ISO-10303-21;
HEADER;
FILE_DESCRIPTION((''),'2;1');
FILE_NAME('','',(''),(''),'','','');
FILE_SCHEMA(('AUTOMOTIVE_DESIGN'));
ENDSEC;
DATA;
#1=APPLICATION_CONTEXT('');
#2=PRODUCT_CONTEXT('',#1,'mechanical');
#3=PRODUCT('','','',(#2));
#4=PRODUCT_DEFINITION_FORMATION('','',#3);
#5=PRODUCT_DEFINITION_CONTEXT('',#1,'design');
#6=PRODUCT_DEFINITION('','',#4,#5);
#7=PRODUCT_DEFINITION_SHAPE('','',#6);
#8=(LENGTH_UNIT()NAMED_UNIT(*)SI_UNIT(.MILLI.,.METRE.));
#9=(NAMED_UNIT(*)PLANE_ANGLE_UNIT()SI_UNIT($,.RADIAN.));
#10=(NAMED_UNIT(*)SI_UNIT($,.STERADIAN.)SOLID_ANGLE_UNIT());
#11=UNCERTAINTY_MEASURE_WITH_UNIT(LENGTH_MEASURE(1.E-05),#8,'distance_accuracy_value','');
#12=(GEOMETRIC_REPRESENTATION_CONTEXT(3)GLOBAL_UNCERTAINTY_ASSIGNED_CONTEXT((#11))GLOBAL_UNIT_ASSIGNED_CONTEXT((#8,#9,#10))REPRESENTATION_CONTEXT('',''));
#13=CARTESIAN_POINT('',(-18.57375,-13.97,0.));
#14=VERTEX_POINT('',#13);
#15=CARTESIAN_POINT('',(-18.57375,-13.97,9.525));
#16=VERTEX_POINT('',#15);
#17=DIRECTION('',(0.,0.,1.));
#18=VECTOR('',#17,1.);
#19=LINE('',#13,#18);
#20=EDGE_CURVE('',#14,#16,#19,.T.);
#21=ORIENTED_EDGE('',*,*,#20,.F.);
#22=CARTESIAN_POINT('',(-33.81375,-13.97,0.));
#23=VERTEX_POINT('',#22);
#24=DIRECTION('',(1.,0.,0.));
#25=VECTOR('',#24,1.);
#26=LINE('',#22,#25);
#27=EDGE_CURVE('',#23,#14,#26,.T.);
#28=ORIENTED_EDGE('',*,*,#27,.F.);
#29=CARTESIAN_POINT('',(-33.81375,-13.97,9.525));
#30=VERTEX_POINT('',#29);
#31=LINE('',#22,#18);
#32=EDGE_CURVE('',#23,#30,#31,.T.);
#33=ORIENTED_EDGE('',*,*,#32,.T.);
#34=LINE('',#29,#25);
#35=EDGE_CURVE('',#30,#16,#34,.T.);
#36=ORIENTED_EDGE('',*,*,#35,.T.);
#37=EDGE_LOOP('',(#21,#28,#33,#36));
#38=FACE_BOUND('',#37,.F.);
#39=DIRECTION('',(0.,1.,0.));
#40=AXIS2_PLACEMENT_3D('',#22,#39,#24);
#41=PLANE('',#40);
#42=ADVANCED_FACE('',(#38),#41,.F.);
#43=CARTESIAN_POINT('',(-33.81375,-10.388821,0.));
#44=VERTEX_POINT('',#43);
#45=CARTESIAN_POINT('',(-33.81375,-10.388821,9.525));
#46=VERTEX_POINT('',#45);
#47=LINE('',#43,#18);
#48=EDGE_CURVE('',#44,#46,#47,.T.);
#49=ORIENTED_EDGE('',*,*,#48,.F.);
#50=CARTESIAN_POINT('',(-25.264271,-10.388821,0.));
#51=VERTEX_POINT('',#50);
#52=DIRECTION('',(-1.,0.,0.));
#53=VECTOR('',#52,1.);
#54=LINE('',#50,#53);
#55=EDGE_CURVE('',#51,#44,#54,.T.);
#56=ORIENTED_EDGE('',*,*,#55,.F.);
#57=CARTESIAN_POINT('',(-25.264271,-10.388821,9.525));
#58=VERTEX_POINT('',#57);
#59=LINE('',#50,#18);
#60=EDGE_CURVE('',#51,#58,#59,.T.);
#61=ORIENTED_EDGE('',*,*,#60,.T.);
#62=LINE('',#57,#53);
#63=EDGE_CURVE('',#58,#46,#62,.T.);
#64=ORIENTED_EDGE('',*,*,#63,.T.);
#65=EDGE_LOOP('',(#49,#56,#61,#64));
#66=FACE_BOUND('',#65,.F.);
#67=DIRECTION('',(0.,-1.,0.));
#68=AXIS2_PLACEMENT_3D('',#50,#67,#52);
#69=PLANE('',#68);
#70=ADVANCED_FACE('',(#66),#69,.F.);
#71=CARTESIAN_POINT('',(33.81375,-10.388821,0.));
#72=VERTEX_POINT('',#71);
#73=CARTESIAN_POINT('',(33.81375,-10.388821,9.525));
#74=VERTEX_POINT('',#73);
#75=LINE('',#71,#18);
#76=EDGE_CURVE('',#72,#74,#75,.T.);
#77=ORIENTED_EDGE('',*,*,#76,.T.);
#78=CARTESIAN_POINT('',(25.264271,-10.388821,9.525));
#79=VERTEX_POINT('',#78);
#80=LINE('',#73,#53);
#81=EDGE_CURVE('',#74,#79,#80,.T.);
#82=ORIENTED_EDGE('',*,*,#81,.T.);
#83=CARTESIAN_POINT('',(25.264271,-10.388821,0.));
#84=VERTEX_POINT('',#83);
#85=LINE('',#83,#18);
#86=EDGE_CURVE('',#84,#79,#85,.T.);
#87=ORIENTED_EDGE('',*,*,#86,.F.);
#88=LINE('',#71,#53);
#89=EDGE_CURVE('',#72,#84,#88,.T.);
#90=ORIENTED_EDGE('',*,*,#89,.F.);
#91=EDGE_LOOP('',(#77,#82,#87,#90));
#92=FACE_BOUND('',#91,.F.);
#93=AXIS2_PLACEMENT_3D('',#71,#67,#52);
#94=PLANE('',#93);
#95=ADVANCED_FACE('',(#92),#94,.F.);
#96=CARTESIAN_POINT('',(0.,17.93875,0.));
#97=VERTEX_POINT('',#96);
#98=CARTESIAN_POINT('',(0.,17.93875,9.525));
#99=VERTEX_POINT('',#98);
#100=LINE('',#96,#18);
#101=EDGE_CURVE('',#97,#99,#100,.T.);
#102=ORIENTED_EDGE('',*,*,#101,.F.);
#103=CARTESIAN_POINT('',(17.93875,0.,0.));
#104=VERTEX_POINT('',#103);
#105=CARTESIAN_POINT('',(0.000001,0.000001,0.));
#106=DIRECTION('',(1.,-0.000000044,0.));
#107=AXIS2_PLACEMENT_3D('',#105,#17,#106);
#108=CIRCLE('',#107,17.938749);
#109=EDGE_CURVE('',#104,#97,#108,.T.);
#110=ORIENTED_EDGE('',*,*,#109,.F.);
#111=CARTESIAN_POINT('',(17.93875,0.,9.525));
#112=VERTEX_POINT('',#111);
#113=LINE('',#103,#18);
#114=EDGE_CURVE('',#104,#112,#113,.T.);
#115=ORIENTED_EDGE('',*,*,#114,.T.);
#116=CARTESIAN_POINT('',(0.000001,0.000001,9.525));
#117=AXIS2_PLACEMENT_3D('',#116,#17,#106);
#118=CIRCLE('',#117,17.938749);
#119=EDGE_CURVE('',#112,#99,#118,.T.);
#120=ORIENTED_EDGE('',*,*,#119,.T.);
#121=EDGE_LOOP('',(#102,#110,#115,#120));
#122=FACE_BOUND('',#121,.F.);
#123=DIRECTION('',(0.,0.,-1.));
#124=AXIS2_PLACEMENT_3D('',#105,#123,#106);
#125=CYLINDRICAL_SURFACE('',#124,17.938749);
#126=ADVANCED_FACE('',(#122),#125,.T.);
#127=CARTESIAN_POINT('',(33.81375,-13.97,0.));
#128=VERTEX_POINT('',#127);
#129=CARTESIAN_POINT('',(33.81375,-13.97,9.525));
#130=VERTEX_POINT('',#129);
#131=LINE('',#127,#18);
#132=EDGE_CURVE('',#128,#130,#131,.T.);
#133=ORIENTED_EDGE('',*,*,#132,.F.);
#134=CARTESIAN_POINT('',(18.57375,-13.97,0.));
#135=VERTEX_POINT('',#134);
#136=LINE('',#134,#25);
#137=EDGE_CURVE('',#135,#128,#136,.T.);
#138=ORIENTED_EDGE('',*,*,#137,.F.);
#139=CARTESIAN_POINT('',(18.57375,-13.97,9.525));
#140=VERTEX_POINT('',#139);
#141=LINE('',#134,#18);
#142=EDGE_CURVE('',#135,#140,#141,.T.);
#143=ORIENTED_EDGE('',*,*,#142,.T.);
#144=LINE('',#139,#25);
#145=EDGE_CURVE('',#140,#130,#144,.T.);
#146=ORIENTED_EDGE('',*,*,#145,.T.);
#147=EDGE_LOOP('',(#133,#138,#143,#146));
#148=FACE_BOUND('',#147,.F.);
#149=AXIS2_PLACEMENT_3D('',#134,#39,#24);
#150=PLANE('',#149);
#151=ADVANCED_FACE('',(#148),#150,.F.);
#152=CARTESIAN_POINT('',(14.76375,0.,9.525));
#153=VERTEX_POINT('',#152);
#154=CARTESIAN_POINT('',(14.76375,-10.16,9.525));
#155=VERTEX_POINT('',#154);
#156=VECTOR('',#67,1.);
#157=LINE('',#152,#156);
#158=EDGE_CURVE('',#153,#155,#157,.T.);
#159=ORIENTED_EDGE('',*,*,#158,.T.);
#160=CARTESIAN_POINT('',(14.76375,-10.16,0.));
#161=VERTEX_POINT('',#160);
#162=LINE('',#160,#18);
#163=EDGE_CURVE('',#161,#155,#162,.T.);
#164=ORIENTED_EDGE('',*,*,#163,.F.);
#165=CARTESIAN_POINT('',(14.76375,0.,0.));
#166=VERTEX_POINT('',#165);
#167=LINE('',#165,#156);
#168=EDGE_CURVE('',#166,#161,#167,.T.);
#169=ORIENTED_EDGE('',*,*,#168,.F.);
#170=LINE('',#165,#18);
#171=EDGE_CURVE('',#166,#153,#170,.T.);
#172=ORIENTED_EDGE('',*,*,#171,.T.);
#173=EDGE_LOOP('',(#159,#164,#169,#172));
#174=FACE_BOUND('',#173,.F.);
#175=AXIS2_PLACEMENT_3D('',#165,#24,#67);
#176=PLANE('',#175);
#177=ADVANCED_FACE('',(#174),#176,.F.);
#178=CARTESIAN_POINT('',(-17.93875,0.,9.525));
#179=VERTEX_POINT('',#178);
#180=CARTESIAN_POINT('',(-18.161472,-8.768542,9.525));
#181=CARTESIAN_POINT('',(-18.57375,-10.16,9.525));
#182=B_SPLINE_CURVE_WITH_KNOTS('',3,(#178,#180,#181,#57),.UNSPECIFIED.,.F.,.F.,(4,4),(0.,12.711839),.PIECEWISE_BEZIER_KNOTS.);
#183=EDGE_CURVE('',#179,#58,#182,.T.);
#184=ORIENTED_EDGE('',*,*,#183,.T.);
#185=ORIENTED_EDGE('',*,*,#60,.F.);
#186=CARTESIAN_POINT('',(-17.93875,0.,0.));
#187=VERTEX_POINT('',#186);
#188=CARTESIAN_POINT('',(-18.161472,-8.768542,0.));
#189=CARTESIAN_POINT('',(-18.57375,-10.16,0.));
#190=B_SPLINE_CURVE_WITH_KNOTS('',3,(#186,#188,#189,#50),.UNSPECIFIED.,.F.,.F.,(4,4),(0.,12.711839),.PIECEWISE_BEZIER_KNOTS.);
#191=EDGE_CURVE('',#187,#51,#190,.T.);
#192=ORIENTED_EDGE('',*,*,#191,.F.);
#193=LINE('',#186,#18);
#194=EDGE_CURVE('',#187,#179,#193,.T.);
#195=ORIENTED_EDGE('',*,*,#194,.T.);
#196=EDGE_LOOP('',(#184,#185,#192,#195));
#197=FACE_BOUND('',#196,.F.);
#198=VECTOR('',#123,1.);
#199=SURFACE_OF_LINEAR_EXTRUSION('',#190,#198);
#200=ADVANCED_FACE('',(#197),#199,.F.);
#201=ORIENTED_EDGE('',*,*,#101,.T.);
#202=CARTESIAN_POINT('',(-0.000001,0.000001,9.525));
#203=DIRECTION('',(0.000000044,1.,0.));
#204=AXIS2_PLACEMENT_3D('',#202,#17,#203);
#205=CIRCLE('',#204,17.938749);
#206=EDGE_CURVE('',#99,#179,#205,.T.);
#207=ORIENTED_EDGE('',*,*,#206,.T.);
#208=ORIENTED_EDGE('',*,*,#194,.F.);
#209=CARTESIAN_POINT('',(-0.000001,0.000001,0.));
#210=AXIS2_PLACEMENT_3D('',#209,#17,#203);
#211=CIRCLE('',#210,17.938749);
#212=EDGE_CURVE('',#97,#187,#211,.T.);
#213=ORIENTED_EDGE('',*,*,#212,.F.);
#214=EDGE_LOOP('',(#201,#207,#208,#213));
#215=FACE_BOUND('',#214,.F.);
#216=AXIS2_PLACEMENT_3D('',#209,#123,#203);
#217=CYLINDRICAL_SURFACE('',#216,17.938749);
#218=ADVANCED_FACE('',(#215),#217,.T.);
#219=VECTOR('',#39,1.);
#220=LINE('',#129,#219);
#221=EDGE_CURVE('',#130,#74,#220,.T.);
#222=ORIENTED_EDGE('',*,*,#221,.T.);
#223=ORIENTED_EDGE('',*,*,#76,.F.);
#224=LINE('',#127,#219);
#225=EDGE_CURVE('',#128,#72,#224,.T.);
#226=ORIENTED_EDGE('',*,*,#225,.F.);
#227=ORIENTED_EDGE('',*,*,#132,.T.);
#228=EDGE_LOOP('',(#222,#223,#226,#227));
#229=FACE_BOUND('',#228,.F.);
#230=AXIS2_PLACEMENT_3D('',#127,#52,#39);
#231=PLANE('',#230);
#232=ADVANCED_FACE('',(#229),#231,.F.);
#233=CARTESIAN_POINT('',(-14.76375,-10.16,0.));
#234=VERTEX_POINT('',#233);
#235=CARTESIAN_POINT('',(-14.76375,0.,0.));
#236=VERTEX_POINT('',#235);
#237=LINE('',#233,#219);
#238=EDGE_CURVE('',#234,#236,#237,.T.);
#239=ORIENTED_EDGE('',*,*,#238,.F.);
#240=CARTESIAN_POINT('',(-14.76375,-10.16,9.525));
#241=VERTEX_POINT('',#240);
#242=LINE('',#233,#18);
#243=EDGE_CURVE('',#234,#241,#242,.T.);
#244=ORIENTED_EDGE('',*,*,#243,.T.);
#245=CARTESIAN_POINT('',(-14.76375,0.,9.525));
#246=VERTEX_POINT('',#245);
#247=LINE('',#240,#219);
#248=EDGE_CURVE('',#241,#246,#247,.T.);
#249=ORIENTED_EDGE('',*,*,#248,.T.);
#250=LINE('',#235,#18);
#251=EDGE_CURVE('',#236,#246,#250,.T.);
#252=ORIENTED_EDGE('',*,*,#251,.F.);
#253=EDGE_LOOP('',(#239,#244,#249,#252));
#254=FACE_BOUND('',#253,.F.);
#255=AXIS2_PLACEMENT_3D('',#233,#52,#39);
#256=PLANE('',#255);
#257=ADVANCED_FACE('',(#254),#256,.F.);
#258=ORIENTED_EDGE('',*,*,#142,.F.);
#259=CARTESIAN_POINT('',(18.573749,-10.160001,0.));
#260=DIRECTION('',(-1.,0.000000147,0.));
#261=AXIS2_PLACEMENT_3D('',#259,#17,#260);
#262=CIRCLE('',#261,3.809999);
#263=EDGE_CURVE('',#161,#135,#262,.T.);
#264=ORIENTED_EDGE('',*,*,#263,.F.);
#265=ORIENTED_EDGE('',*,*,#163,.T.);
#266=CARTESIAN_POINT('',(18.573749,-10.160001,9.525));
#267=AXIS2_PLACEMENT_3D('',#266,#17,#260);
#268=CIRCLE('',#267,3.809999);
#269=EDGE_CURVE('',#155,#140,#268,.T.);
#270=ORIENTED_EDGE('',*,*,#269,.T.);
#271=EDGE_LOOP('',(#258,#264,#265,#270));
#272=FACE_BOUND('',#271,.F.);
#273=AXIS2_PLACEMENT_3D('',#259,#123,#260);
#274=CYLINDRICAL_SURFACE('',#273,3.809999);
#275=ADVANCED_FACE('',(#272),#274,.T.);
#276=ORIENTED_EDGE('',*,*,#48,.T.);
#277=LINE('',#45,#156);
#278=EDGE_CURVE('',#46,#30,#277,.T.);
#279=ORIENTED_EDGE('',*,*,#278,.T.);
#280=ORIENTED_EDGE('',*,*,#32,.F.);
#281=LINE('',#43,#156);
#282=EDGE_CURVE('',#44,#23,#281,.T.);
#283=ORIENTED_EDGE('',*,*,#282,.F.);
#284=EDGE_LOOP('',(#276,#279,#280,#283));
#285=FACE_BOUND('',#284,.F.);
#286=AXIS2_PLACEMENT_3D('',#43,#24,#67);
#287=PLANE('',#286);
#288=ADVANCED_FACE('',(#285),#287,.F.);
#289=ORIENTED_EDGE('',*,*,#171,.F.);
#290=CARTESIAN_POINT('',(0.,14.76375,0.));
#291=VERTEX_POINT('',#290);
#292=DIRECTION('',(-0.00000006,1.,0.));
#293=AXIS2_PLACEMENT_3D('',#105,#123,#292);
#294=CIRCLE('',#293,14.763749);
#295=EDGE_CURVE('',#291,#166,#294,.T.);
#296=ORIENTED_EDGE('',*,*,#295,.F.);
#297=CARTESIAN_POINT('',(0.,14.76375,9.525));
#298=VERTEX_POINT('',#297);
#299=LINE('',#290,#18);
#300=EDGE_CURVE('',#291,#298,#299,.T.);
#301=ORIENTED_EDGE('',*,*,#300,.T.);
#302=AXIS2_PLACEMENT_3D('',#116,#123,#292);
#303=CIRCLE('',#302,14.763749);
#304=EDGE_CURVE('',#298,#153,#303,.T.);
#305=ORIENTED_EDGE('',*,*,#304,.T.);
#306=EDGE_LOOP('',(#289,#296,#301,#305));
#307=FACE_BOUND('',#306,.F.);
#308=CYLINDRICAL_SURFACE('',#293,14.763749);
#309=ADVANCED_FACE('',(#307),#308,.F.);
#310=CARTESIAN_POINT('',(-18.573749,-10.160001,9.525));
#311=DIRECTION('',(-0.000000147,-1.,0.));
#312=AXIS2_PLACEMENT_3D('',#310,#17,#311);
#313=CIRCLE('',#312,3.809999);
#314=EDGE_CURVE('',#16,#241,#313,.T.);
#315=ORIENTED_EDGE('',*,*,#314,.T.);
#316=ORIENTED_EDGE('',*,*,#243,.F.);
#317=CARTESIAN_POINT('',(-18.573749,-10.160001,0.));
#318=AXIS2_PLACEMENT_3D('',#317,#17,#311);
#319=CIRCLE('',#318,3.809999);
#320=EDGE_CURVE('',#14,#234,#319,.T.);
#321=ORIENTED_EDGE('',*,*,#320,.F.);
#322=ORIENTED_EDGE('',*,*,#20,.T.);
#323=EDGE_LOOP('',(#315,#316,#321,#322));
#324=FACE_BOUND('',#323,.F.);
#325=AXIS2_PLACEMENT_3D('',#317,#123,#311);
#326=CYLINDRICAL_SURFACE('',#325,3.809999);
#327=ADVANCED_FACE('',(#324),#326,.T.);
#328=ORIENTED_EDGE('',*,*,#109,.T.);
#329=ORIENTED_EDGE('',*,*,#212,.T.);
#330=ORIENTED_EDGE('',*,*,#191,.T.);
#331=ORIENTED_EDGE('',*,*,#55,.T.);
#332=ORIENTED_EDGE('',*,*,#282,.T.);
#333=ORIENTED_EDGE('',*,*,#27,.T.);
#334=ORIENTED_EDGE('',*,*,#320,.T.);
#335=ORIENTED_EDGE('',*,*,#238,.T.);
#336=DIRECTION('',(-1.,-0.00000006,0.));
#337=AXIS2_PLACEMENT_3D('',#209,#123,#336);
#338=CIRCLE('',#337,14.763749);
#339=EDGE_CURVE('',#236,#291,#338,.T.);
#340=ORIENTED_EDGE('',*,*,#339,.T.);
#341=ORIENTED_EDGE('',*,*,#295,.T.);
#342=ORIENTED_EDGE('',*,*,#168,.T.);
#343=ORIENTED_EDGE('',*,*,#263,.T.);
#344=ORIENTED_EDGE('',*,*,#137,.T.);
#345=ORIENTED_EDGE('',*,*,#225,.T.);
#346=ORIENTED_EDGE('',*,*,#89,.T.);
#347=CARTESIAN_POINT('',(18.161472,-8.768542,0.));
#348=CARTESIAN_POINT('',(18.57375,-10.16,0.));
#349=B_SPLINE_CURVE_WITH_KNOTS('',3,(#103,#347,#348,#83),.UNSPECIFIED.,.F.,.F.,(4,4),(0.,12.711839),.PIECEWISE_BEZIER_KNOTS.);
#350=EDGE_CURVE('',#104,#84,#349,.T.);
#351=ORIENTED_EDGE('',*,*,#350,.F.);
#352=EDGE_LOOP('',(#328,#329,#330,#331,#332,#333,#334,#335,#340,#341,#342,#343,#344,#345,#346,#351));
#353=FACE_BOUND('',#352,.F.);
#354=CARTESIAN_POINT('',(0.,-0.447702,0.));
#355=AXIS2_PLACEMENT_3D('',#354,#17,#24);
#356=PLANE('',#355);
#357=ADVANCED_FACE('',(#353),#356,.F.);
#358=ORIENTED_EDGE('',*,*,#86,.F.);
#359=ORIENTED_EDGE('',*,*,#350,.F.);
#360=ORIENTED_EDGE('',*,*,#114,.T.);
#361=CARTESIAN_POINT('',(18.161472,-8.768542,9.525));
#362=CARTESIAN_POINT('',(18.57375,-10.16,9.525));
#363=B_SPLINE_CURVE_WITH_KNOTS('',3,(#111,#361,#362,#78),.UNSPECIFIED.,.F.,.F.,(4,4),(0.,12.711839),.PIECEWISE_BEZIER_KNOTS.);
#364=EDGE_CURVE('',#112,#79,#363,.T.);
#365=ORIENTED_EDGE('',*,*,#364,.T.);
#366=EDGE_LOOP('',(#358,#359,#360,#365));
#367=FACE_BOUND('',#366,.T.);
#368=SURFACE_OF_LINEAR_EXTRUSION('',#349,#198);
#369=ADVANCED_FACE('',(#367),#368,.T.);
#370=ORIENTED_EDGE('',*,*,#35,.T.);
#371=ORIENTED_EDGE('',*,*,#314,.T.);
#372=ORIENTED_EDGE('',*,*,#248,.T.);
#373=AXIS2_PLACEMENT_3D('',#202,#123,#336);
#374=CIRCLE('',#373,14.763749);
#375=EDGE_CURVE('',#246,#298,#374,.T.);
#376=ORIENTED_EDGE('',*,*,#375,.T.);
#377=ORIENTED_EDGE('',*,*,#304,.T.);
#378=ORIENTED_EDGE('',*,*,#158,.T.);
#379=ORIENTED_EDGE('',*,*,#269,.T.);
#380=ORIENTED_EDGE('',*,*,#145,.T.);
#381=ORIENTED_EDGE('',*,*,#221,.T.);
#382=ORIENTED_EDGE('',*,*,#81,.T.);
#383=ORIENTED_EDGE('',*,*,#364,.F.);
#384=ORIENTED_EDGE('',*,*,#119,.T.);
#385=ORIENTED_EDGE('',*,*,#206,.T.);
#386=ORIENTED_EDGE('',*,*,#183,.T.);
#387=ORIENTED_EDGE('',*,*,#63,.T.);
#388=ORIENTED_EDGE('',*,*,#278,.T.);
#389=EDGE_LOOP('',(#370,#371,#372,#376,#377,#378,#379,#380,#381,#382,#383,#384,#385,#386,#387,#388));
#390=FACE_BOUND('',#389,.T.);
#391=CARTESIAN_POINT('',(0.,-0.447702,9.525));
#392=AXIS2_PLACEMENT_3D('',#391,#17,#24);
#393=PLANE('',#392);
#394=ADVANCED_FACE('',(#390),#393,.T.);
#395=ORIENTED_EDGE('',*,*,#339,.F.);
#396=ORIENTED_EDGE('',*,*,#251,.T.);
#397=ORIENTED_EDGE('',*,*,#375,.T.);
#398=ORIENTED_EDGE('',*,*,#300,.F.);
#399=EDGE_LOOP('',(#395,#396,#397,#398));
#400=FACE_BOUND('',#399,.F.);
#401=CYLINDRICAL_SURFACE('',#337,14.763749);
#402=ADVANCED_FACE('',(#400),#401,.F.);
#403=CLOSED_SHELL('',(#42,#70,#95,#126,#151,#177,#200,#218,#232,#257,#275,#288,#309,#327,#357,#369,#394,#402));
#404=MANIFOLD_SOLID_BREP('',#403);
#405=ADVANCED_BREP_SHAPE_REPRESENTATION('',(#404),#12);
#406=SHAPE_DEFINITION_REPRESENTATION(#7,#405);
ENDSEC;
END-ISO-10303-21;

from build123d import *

# Parameters (mm, degrees)
F1_DEPTH = 9.525


with BuildPart() as f1:
    # F0 (on Top) → F1 (new body)
    with BuildSketch(Plane.XY):
        with BuildLine():
            ThreePointArc((0, 14.76375), (10.439548, 10.439548), (14.76375, 0))
            Line((14.76375, 0), (14.76375, -10.16))
            ThreePointArc((14.76375, -10.16), (15.879673, -12.854077), (18.57375, -13.97))
            Line((18.57375, -13.97), (33.81375, -13.97))
            Line((33.81375, -13.97), (33.81375, -10.388821))
            Line((33.81375, -10.388821), (25.264271, -10.388821))
            add(Edge.make_bspline(
                [(17.93875, 0), (18.161472, -8.768542), (18.57375, -10.16), (25.264271, -10.388821)],
                knots=[0, 0, 0, 0, 12.711839, 12.711839, 12.711839, 12.711839], degree=3))
            ThreePointArc((17.93875, 0), (12.684612, 12.684612), (0, 17.93875))
            ThreePointArc((0, 17.93875), (-12.684612, 12.684612), (-17.93875, 0))
            add(Edge.make_bspline(
                [(-17.93875, 0), (-18.161472, -8.768542), (-18.57375, -10.16), (-25.264271, -10.388821)],
                knots=[0, 0, 0, 0, 12.711839, 12.711839, 12.711839, 12.711839], degree=3))
            Line((-25.264271, -10.388821), (-33.81375, -10.388821))
            Line((-33.81375, -10.388821), (-33.81375, -13.97))
            Line((-33.81375, -13.97), (-18.57375, -13.97))
            ThreePointArc((-18.57375, -13.97), (-15.879673, -12.854077), (-14.76375, -10.16))
            Line((-14.76375, -10.16), (-14.76375, 0))
            ThreePointArc((-14.76375, 0), (-10.439548, 10.439548), (0, 14.76375))
        make_face()
    extrude(amount=F1_DEPTH)


solid = f1.part
